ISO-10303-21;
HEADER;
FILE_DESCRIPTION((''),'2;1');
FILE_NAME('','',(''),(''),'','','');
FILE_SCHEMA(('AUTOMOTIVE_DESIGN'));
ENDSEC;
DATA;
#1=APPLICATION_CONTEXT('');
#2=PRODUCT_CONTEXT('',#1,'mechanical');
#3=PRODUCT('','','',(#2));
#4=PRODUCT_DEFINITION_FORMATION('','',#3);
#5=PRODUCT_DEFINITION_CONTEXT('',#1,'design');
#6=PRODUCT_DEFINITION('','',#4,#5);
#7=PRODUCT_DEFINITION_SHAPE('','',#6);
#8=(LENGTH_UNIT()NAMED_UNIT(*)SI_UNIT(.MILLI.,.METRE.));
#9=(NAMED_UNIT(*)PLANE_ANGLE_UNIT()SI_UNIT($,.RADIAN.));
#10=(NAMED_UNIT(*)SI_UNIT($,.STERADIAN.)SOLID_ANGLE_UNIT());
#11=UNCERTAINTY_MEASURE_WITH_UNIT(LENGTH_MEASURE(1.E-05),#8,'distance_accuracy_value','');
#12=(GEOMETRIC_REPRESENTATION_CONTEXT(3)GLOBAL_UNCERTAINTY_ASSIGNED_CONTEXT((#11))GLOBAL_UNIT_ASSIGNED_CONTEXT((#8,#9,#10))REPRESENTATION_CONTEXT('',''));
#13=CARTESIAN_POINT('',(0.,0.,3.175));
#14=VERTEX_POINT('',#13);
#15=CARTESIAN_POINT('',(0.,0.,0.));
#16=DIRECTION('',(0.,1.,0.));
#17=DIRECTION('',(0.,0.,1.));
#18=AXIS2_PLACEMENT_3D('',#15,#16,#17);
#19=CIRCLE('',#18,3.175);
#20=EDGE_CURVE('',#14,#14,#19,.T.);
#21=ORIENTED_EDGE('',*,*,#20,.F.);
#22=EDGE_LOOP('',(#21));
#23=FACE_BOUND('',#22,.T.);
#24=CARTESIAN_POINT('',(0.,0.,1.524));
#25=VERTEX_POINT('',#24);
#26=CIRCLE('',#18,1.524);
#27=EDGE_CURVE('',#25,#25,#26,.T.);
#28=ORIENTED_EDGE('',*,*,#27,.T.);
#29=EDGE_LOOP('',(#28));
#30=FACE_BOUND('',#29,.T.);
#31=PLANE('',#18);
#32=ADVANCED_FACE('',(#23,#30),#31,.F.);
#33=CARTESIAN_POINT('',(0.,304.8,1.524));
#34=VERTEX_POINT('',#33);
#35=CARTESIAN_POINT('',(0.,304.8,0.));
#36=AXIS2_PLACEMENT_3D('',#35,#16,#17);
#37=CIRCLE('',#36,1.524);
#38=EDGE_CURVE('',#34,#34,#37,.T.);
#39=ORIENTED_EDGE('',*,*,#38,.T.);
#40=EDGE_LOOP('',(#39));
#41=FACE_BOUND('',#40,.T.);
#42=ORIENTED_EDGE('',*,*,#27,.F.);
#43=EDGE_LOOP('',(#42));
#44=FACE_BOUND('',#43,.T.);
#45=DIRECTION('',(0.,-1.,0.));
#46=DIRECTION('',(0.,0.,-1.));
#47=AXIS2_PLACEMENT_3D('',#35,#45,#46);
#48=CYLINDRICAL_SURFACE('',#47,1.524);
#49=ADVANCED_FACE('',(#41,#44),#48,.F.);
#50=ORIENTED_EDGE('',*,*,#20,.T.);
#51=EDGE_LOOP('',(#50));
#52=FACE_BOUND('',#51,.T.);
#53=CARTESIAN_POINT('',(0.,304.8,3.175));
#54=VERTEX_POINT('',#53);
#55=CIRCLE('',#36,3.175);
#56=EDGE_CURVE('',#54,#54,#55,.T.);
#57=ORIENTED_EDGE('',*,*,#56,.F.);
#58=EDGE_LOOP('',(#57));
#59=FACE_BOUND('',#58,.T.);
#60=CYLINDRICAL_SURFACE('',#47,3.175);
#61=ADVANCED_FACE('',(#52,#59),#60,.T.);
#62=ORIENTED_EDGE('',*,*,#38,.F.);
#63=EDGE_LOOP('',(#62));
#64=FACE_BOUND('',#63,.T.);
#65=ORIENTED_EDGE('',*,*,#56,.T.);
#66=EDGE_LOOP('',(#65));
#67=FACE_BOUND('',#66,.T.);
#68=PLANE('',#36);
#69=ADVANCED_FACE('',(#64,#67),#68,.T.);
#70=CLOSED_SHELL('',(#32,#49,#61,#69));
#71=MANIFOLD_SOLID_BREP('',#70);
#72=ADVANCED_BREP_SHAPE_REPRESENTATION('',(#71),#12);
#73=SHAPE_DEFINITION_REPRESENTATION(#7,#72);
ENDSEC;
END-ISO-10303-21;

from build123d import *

# Parameters (mm, degrees)
SKETCH1_R           = 3.175
SKETCH1_R_2         = 1.524
BOSS_EXTRUDE1_DEPTH = 304.8


with BuildPart() as part:
    # Sketch1 → Boss-Extrude1 (new body)
    with BuildSketch(Plane(origin=(0, 0, 0), x_dir=(1, 0, 0), z_dir=(0, 1, 0))):
        Circle(SKETCH1_R)
        Circle(SKETCH1_R_2, mode=Mode.SUBTRACT)
    extrude(amount=BOSS_EXTRUDE1_DEPTH)


solid = part.part
